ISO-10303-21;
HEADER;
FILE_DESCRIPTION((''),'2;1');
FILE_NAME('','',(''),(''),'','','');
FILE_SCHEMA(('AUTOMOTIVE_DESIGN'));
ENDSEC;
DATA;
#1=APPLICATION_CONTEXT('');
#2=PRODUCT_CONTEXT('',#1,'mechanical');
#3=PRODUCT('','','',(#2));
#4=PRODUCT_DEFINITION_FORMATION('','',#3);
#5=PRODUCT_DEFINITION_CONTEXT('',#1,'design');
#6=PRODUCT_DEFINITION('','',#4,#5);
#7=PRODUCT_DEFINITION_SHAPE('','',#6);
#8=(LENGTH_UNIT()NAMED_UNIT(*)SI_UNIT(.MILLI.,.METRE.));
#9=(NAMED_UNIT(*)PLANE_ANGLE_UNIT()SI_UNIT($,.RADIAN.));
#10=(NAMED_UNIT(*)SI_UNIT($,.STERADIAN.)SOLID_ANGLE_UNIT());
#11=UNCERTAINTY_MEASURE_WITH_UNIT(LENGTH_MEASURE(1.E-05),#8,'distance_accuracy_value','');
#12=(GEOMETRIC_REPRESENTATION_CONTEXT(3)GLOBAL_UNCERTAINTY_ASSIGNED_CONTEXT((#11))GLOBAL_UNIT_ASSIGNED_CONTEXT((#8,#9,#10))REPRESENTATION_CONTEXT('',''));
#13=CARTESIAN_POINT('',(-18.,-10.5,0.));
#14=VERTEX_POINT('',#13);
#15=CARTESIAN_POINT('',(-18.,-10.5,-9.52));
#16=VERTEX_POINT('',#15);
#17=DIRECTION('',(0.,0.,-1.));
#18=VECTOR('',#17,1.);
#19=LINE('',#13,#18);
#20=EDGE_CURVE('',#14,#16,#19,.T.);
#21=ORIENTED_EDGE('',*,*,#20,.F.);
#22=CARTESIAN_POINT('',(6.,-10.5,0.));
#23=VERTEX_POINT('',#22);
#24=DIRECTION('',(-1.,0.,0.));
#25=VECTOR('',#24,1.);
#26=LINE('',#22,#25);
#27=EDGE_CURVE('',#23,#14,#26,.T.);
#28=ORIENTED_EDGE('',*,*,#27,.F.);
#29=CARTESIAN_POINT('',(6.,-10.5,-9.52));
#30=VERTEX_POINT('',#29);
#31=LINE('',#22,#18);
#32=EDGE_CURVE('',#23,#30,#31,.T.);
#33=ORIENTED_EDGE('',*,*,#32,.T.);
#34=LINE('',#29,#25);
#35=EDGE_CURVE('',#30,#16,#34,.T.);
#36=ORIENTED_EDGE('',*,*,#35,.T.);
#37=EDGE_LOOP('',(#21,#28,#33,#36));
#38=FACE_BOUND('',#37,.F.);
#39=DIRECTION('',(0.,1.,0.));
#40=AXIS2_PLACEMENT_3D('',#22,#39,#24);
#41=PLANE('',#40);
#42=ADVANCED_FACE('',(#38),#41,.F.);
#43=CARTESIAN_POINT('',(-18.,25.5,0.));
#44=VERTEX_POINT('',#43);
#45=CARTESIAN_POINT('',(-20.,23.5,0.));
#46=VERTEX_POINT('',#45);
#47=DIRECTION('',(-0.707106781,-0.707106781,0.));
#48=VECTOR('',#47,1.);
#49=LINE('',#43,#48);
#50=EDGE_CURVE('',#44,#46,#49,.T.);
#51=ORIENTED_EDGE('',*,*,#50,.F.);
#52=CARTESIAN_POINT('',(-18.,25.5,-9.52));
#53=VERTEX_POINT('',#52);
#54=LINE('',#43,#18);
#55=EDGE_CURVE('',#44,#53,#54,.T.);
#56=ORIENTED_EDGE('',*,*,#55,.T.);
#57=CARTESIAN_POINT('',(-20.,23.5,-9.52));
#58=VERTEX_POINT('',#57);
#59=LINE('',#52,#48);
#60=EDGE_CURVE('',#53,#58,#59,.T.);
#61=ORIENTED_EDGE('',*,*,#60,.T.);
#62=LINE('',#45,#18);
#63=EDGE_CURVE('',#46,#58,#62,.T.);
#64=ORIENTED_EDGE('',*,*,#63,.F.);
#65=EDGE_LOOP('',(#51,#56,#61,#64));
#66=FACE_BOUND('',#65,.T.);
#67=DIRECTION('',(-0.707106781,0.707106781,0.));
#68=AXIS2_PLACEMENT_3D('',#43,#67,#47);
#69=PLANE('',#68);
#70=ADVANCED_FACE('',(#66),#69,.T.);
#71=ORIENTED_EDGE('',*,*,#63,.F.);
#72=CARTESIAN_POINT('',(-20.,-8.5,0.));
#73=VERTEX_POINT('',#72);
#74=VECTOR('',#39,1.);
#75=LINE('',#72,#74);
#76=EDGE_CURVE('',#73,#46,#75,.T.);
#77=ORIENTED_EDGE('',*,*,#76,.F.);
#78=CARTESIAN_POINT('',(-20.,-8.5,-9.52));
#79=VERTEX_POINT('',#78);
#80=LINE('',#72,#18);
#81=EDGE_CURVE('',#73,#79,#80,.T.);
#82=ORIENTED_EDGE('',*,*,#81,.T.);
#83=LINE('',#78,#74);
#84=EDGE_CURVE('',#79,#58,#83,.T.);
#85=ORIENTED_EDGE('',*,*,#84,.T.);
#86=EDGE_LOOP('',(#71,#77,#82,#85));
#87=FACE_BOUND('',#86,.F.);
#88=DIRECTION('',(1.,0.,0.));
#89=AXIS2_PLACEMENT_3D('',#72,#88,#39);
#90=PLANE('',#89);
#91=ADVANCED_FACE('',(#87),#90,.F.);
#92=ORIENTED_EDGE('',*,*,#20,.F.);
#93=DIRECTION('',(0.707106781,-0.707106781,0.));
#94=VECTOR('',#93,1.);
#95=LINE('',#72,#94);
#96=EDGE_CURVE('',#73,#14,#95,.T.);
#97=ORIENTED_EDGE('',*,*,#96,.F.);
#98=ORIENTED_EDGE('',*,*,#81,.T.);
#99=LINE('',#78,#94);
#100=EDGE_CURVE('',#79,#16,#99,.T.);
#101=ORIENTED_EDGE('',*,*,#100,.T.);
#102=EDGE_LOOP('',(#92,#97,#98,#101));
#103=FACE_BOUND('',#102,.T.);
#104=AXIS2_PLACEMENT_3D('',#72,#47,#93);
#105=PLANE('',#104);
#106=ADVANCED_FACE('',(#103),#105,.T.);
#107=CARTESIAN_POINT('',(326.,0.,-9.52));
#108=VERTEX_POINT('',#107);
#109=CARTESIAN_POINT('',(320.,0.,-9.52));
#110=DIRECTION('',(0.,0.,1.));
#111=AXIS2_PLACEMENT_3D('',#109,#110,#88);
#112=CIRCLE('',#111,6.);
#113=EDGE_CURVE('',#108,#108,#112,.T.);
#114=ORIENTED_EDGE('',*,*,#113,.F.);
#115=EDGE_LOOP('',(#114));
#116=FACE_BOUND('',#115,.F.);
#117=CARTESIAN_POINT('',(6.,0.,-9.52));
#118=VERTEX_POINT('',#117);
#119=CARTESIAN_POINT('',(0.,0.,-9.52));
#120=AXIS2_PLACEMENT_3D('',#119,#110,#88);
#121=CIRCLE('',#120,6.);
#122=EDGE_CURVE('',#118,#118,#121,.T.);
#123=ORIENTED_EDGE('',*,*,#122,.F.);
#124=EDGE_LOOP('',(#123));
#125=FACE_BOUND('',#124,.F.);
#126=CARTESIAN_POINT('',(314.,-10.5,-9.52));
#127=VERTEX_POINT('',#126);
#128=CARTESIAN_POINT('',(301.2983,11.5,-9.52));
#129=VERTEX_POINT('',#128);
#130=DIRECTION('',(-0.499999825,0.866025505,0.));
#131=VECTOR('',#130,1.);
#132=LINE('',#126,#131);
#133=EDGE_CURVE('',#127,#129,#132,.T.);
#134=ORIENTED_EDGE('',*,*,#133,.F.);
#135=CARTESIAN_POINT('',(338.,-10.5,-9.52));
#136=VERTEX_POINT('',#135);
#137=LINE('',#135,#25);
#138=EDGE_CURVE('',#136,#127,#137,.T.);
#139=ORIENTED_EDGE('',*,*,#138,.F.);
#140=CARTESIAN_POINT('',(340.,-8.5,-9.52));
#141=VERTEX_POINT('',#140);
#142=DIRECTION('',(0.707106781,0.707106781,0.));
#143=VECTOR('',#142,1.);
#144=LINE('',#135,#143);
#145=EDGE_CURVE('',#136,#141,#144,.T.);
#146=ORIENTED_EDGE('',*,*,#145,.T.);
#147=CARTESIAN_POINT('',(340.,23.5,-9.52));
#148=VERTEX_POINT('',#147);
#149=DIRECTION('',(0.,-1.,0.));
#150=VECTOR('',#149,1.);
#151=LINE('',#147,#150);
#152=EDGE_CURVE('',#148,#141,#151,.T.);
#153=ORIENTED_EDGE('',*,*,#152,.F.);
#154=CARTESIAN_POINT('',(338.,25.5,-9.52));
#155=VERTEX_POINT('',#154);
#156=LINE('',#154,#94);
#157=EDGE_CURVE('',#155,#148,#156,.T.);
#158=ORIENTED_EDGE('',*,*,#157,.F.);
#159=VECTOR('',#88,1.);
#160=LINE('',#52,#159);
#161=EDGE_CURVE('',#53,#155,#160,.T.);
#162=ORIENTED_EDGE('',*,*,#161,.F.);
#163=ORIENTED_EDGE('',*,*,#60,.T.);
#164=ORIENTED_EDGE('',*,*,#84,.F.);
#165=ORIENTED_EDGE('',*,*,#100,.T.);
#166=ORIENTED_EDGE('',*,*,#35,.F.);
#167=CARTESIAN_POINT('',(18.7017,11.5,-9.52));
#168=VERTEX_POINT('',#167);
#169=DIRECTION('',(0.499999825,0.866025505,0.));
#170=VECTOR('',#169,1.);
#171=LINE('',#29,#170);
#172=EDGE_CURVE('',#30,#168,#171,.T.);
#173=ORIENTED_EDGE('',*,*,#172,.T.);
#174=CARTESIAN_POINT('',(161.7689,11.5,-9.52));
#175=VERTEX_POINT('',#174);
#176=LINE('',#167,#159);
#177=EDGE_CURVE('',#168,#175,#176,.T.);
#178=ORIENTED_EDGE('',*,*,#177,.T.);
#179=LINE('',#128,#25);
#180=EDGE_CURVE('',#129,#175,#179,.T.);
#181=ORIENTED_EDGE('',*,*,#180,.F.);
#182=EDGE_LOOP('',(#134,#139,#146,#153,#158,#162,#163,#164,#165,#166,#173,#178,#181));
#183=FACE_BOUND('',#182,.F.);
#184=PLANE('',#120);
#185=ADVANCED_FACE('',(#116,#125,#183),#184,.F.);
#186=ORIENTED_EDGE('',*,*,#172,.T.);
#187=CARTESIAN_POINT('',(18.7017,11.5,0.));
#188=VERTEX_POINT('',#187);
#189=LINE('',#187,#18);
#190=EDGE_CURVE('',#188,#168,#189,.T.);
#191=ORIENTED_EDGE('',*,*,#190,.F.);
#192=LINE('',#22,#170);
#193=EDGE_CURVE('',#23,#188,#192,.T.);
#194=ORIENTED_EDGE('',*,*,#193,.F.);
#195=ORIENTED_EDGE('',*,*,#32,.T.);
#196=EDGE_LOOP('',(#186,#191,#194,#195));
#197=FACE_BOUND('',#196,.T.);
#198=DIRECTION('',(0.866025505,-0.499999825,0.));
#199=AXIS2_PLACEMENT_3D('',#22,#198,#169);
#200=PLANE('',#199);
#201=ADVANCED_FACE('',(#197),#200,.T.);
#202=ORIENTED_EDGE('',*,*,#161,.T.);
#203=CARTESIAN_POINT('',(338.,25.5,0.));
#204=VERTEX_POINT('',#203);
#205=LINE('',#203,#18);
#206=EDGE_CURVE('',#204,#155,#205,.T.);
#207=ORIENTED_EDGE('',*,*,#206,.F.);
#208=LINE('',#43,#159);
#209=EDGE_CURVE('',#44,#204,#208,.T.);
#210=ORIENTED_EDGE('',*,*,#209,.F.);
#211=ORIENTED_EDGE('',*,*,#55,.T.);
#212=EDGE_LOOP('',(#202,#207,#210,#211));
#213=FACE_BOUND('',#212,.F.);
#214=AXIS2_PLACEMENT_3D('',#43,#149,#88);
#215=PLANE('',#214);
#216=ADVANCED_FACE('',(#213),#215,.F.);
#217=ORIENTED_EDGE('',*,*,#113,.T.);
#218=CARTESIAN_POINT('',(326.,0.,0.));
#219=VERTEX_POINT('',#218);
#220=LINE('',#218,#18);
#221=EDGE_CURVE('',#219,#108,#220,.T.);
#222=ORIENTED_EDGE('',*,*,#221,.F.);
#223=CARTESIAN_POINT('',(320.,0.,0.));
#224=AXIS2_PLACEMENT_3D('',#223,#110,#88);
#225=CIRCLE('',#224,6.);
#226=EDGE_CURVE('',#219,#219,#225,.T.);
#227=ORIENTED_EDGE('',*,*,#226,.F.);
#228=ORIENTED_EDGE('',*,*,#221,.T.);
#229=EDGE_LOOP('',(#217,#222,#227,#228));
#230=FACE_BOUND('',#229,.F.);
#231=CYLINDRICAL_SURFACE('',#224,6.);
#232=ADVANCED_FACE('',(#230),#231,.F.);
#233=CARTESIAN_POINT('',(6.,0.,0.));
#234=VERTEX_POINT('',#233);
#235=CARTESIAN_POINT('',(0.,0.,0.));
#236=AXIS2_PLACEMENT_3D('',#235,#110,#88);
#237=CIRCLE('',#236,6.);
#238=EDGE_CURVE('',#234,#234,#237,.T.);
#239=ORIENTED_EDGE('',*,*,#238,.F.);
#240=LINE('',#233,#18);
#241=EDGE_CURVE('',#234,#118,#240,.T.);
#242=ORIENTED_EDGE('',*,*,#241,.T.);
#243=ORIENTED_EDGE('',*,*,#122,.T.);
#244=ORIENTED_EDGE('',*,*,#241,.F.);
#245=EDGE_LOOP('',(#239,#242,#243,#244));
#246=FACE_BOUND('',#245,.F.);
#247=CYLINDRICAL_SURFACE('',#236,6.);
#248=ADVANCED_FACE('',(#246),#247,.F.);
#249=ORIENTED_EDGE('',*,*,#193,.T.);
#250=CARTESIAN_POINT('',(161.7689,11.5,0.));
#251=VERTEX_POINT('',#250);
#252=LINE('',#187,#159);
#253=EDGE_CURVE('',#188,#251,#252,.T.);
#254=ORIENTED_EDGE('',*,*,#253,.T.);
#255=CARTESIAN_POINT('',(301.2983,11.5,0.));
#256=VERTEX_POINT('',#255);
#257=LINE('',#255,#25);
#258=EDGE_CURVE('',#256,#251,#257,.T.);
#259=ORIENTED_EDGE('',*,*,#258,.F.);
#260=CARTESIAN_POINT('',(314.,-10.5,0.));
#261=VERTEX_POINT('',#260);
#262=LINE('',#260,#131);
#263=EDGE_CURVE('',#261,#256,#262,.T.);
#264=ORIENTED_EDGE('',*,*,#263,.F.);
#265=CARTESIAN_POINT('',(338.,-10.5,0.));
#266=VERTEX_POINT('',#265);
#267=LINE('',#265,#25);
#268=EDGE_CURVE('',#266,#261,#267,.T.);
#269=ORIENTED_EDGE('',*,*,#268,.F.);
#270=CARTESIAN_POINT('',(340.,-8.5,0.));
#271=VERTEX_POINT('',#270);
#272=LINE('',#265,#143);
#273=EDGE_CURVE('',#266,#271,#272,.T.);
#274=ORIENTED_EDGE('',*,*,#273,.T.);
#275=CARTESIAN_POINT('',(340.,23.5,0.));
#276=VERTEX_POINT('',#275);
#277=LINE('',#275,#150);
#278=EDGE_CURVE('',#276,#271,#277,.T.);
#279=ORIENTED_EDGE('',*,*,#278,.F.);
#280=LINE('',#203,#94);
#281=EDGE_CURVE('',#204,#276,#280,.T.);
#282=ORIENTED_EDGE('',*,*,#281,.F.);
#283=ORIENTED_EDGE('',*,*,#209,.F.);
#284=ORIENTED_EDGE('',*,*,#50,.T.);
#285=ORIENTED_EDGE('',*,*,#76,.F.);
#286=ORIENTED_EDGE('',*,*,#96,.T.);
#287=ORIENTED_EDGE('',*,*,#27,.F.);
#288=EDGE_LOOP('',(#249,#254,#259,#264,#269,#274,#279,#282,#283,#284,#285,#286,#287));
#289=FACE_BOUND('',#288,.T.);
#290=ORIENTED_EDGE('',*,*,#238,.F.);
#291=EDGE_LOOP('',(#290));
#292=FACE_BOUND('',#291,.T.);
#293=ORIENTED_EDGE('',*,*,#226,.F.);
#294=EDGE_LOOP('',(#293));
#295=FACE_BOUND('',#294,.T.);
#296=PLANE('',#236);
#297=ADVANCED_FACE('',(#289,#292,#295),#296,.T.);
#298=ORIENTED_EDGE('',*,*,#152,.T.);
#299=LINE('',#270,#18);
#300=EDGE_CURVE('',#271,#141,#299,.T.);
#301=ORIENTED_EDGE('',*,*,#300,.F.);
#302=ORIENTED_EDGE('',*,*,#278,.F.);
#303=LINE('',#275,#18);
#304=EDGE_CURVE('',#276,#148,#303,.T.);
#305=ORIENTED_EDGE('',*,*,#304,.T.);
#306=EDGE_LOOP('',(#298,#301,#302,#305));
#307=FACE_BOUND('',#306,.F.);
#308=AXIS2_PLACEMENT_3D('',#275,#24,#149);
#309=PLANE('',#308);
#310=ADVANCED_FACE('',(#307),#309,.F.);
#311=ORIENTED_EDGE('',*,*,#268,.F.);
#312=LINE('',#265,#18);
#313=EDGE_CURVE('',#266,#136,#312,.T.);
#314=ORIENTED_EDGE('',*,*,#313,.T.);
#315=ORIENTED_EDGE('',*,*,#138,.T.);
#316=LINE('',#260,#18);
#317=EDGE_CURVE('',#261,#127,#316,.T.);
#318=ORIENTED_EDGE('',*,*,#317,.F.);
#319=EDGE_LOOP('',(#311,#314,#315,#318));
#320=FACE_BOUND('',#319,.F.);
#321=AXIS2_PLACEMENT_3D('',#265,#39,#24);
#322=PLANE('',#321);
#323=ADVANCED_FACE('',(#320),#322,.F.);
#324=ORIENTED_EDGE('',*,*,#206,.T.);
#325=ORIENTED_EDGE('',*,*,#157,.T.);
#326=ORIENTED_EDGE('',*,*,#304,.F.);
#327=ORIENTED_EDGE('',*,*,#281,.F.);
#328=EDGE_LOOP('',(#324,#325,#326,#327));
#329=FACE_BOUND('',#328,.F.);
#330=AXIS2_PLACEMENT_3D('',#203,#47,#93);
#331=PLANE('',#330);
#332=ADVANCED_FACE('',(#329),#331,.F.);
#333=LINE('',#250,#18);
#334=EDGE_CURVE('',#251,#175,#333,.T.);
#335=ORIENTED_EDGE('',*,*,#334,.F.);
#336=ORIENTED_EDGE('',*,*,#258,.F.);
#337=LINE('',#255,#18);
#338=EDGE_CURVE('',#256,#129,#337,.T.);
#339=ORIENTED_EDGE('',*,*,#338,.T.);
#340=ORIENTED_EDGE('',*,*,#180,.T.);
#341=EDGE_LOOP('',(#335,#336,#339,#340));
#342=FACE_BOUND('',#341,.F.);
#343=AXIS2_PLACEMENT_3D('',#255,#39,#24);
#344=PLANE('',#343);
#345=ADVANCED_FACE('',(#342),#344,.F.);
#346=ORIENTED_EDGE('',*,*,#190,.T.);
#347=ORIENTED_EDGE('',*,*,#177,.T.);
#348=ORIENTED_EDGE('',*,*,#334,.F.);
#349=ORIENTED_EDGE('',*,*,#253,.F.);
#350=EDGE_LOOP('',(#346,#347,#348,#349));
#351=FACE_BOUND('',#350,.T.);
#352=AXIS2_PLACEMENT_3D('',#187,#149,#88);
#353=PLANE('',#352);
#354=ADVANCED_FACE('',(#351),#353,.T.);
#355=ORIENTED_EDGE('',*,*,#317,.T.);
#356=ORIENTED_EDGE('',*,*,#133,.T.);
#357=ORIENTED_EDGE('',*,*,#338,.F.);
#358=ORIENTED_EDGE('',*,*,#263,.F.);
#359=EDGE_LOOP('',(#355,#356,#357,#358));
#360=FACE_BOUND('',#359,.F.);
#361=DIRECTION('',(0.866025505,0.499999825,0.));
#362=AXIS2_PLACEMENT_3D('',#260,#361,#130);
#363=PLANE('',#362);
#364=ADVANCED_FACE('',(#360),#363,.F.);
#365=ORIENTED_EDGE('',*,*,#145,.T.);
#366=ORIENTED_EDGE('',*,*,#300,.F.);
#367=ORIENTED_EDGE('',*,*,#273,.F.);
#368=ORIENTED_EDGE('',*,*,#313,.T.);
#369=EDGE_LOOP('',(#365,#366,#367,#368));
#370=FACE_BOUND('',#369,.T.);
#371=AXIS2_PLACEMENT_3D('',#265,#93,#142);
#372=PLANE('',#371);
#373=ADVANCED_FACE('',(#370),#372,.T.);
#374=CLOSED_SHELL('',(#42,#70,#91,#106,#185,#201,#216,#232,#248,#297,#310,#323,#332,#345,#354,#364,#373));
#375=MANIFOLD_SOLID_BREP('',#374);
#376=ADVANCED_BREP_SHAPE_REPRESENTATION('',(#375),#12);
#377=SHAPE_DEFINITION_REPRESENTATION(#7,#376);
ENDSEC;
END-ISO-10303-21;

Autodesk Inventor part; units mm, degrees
ref_plane "YZ Plane" through (0, 0, 0) normal (1, 0, 0) x (0, 1, 0)
ref_plane "XZ Plane" through (0, 0, 0) normal (0, 1, 0) x (-1, 0, 0)
ref_plane "XY Plane" through (0, 0, 0) normal (0, 0, 1) x (1, 0, 0)
sketch "Esboço1" plane through (0, 0, 0) normal (0, 0, 1) x (1, 0, 0)
  line L0 (-18, 25.5) -> (338, 25.5)
  line L1 (340, 23.5) -> (340, -8.5)
  line L2 (-20, -8.5) -> (-20, 23.5)
  circle A0 centre (0, 0) radius 5.995 construction
  circle A1 centre (320, 0) radius 5.995 construction
  line L3 (6, -10.5) -> (18.7017, 11.5)
  line L4 (6, -10.5) -> (31.4034, -10.5) construction
  line L5 (18.7017, 11.5) -> (161.7689, 11.5)
  line L6 (160, 31.3493) -> (160, -25.519) construction
  line L7 (314, -10.5) -> (301.2983, 11.5)
  line L8 (301.2983, 11.5) -> (161.7689, 11.5)
  line L9 (-18, 25.5) -> (-20, 23.5)
  line L10 (-20, -8.5) -> (-18, -10.5)
  line L11 (338, 25.5) -> (340, 23.5)
  line L12 (338, -10.5) -> (340, -8.5)
  line L13 (338, -10.5) -> (314, -10.5)
  line L14 (6, -10.5) -> (-18, -10.5)
  circle A2 centre (0, 0) radius 6
  circle A3 centre (320, 0) radius 6
  point P0 (340, -10.5)
  point P1 (340, 25.5)
  point P2 (-20, -10.5)
  point P3 (-20, 25.5)
  dimension "d0" = 36
  dimension "d2" = 2
  dimension "d3" = 2
  dimension "d4" = 2
  dimension "d5" = 2
  dimension "d6" = 2
  dimension "d7" = 2
  dimension "d8" = 2
  dimension "d9" = 2
  dimension "d10" = 12
  dimension "d11" = 12
  dimension "d14" = 120
  dimension "d15" = 14
  dimension "d16" = 24
extrude "Extrusão1" add sketch "Esboço1" against normal blind 9.52
equation "\"d3\" = d2"
equation "\"d4\" = d2"
equation "\"d5\" = d4"
equation "\"d6\" = d2"
equation "\"d7\" = d6"
equation "\"d8\" = d2"
equation "\"d9\" = d8"
properties part number "EsbarrosCarro"
